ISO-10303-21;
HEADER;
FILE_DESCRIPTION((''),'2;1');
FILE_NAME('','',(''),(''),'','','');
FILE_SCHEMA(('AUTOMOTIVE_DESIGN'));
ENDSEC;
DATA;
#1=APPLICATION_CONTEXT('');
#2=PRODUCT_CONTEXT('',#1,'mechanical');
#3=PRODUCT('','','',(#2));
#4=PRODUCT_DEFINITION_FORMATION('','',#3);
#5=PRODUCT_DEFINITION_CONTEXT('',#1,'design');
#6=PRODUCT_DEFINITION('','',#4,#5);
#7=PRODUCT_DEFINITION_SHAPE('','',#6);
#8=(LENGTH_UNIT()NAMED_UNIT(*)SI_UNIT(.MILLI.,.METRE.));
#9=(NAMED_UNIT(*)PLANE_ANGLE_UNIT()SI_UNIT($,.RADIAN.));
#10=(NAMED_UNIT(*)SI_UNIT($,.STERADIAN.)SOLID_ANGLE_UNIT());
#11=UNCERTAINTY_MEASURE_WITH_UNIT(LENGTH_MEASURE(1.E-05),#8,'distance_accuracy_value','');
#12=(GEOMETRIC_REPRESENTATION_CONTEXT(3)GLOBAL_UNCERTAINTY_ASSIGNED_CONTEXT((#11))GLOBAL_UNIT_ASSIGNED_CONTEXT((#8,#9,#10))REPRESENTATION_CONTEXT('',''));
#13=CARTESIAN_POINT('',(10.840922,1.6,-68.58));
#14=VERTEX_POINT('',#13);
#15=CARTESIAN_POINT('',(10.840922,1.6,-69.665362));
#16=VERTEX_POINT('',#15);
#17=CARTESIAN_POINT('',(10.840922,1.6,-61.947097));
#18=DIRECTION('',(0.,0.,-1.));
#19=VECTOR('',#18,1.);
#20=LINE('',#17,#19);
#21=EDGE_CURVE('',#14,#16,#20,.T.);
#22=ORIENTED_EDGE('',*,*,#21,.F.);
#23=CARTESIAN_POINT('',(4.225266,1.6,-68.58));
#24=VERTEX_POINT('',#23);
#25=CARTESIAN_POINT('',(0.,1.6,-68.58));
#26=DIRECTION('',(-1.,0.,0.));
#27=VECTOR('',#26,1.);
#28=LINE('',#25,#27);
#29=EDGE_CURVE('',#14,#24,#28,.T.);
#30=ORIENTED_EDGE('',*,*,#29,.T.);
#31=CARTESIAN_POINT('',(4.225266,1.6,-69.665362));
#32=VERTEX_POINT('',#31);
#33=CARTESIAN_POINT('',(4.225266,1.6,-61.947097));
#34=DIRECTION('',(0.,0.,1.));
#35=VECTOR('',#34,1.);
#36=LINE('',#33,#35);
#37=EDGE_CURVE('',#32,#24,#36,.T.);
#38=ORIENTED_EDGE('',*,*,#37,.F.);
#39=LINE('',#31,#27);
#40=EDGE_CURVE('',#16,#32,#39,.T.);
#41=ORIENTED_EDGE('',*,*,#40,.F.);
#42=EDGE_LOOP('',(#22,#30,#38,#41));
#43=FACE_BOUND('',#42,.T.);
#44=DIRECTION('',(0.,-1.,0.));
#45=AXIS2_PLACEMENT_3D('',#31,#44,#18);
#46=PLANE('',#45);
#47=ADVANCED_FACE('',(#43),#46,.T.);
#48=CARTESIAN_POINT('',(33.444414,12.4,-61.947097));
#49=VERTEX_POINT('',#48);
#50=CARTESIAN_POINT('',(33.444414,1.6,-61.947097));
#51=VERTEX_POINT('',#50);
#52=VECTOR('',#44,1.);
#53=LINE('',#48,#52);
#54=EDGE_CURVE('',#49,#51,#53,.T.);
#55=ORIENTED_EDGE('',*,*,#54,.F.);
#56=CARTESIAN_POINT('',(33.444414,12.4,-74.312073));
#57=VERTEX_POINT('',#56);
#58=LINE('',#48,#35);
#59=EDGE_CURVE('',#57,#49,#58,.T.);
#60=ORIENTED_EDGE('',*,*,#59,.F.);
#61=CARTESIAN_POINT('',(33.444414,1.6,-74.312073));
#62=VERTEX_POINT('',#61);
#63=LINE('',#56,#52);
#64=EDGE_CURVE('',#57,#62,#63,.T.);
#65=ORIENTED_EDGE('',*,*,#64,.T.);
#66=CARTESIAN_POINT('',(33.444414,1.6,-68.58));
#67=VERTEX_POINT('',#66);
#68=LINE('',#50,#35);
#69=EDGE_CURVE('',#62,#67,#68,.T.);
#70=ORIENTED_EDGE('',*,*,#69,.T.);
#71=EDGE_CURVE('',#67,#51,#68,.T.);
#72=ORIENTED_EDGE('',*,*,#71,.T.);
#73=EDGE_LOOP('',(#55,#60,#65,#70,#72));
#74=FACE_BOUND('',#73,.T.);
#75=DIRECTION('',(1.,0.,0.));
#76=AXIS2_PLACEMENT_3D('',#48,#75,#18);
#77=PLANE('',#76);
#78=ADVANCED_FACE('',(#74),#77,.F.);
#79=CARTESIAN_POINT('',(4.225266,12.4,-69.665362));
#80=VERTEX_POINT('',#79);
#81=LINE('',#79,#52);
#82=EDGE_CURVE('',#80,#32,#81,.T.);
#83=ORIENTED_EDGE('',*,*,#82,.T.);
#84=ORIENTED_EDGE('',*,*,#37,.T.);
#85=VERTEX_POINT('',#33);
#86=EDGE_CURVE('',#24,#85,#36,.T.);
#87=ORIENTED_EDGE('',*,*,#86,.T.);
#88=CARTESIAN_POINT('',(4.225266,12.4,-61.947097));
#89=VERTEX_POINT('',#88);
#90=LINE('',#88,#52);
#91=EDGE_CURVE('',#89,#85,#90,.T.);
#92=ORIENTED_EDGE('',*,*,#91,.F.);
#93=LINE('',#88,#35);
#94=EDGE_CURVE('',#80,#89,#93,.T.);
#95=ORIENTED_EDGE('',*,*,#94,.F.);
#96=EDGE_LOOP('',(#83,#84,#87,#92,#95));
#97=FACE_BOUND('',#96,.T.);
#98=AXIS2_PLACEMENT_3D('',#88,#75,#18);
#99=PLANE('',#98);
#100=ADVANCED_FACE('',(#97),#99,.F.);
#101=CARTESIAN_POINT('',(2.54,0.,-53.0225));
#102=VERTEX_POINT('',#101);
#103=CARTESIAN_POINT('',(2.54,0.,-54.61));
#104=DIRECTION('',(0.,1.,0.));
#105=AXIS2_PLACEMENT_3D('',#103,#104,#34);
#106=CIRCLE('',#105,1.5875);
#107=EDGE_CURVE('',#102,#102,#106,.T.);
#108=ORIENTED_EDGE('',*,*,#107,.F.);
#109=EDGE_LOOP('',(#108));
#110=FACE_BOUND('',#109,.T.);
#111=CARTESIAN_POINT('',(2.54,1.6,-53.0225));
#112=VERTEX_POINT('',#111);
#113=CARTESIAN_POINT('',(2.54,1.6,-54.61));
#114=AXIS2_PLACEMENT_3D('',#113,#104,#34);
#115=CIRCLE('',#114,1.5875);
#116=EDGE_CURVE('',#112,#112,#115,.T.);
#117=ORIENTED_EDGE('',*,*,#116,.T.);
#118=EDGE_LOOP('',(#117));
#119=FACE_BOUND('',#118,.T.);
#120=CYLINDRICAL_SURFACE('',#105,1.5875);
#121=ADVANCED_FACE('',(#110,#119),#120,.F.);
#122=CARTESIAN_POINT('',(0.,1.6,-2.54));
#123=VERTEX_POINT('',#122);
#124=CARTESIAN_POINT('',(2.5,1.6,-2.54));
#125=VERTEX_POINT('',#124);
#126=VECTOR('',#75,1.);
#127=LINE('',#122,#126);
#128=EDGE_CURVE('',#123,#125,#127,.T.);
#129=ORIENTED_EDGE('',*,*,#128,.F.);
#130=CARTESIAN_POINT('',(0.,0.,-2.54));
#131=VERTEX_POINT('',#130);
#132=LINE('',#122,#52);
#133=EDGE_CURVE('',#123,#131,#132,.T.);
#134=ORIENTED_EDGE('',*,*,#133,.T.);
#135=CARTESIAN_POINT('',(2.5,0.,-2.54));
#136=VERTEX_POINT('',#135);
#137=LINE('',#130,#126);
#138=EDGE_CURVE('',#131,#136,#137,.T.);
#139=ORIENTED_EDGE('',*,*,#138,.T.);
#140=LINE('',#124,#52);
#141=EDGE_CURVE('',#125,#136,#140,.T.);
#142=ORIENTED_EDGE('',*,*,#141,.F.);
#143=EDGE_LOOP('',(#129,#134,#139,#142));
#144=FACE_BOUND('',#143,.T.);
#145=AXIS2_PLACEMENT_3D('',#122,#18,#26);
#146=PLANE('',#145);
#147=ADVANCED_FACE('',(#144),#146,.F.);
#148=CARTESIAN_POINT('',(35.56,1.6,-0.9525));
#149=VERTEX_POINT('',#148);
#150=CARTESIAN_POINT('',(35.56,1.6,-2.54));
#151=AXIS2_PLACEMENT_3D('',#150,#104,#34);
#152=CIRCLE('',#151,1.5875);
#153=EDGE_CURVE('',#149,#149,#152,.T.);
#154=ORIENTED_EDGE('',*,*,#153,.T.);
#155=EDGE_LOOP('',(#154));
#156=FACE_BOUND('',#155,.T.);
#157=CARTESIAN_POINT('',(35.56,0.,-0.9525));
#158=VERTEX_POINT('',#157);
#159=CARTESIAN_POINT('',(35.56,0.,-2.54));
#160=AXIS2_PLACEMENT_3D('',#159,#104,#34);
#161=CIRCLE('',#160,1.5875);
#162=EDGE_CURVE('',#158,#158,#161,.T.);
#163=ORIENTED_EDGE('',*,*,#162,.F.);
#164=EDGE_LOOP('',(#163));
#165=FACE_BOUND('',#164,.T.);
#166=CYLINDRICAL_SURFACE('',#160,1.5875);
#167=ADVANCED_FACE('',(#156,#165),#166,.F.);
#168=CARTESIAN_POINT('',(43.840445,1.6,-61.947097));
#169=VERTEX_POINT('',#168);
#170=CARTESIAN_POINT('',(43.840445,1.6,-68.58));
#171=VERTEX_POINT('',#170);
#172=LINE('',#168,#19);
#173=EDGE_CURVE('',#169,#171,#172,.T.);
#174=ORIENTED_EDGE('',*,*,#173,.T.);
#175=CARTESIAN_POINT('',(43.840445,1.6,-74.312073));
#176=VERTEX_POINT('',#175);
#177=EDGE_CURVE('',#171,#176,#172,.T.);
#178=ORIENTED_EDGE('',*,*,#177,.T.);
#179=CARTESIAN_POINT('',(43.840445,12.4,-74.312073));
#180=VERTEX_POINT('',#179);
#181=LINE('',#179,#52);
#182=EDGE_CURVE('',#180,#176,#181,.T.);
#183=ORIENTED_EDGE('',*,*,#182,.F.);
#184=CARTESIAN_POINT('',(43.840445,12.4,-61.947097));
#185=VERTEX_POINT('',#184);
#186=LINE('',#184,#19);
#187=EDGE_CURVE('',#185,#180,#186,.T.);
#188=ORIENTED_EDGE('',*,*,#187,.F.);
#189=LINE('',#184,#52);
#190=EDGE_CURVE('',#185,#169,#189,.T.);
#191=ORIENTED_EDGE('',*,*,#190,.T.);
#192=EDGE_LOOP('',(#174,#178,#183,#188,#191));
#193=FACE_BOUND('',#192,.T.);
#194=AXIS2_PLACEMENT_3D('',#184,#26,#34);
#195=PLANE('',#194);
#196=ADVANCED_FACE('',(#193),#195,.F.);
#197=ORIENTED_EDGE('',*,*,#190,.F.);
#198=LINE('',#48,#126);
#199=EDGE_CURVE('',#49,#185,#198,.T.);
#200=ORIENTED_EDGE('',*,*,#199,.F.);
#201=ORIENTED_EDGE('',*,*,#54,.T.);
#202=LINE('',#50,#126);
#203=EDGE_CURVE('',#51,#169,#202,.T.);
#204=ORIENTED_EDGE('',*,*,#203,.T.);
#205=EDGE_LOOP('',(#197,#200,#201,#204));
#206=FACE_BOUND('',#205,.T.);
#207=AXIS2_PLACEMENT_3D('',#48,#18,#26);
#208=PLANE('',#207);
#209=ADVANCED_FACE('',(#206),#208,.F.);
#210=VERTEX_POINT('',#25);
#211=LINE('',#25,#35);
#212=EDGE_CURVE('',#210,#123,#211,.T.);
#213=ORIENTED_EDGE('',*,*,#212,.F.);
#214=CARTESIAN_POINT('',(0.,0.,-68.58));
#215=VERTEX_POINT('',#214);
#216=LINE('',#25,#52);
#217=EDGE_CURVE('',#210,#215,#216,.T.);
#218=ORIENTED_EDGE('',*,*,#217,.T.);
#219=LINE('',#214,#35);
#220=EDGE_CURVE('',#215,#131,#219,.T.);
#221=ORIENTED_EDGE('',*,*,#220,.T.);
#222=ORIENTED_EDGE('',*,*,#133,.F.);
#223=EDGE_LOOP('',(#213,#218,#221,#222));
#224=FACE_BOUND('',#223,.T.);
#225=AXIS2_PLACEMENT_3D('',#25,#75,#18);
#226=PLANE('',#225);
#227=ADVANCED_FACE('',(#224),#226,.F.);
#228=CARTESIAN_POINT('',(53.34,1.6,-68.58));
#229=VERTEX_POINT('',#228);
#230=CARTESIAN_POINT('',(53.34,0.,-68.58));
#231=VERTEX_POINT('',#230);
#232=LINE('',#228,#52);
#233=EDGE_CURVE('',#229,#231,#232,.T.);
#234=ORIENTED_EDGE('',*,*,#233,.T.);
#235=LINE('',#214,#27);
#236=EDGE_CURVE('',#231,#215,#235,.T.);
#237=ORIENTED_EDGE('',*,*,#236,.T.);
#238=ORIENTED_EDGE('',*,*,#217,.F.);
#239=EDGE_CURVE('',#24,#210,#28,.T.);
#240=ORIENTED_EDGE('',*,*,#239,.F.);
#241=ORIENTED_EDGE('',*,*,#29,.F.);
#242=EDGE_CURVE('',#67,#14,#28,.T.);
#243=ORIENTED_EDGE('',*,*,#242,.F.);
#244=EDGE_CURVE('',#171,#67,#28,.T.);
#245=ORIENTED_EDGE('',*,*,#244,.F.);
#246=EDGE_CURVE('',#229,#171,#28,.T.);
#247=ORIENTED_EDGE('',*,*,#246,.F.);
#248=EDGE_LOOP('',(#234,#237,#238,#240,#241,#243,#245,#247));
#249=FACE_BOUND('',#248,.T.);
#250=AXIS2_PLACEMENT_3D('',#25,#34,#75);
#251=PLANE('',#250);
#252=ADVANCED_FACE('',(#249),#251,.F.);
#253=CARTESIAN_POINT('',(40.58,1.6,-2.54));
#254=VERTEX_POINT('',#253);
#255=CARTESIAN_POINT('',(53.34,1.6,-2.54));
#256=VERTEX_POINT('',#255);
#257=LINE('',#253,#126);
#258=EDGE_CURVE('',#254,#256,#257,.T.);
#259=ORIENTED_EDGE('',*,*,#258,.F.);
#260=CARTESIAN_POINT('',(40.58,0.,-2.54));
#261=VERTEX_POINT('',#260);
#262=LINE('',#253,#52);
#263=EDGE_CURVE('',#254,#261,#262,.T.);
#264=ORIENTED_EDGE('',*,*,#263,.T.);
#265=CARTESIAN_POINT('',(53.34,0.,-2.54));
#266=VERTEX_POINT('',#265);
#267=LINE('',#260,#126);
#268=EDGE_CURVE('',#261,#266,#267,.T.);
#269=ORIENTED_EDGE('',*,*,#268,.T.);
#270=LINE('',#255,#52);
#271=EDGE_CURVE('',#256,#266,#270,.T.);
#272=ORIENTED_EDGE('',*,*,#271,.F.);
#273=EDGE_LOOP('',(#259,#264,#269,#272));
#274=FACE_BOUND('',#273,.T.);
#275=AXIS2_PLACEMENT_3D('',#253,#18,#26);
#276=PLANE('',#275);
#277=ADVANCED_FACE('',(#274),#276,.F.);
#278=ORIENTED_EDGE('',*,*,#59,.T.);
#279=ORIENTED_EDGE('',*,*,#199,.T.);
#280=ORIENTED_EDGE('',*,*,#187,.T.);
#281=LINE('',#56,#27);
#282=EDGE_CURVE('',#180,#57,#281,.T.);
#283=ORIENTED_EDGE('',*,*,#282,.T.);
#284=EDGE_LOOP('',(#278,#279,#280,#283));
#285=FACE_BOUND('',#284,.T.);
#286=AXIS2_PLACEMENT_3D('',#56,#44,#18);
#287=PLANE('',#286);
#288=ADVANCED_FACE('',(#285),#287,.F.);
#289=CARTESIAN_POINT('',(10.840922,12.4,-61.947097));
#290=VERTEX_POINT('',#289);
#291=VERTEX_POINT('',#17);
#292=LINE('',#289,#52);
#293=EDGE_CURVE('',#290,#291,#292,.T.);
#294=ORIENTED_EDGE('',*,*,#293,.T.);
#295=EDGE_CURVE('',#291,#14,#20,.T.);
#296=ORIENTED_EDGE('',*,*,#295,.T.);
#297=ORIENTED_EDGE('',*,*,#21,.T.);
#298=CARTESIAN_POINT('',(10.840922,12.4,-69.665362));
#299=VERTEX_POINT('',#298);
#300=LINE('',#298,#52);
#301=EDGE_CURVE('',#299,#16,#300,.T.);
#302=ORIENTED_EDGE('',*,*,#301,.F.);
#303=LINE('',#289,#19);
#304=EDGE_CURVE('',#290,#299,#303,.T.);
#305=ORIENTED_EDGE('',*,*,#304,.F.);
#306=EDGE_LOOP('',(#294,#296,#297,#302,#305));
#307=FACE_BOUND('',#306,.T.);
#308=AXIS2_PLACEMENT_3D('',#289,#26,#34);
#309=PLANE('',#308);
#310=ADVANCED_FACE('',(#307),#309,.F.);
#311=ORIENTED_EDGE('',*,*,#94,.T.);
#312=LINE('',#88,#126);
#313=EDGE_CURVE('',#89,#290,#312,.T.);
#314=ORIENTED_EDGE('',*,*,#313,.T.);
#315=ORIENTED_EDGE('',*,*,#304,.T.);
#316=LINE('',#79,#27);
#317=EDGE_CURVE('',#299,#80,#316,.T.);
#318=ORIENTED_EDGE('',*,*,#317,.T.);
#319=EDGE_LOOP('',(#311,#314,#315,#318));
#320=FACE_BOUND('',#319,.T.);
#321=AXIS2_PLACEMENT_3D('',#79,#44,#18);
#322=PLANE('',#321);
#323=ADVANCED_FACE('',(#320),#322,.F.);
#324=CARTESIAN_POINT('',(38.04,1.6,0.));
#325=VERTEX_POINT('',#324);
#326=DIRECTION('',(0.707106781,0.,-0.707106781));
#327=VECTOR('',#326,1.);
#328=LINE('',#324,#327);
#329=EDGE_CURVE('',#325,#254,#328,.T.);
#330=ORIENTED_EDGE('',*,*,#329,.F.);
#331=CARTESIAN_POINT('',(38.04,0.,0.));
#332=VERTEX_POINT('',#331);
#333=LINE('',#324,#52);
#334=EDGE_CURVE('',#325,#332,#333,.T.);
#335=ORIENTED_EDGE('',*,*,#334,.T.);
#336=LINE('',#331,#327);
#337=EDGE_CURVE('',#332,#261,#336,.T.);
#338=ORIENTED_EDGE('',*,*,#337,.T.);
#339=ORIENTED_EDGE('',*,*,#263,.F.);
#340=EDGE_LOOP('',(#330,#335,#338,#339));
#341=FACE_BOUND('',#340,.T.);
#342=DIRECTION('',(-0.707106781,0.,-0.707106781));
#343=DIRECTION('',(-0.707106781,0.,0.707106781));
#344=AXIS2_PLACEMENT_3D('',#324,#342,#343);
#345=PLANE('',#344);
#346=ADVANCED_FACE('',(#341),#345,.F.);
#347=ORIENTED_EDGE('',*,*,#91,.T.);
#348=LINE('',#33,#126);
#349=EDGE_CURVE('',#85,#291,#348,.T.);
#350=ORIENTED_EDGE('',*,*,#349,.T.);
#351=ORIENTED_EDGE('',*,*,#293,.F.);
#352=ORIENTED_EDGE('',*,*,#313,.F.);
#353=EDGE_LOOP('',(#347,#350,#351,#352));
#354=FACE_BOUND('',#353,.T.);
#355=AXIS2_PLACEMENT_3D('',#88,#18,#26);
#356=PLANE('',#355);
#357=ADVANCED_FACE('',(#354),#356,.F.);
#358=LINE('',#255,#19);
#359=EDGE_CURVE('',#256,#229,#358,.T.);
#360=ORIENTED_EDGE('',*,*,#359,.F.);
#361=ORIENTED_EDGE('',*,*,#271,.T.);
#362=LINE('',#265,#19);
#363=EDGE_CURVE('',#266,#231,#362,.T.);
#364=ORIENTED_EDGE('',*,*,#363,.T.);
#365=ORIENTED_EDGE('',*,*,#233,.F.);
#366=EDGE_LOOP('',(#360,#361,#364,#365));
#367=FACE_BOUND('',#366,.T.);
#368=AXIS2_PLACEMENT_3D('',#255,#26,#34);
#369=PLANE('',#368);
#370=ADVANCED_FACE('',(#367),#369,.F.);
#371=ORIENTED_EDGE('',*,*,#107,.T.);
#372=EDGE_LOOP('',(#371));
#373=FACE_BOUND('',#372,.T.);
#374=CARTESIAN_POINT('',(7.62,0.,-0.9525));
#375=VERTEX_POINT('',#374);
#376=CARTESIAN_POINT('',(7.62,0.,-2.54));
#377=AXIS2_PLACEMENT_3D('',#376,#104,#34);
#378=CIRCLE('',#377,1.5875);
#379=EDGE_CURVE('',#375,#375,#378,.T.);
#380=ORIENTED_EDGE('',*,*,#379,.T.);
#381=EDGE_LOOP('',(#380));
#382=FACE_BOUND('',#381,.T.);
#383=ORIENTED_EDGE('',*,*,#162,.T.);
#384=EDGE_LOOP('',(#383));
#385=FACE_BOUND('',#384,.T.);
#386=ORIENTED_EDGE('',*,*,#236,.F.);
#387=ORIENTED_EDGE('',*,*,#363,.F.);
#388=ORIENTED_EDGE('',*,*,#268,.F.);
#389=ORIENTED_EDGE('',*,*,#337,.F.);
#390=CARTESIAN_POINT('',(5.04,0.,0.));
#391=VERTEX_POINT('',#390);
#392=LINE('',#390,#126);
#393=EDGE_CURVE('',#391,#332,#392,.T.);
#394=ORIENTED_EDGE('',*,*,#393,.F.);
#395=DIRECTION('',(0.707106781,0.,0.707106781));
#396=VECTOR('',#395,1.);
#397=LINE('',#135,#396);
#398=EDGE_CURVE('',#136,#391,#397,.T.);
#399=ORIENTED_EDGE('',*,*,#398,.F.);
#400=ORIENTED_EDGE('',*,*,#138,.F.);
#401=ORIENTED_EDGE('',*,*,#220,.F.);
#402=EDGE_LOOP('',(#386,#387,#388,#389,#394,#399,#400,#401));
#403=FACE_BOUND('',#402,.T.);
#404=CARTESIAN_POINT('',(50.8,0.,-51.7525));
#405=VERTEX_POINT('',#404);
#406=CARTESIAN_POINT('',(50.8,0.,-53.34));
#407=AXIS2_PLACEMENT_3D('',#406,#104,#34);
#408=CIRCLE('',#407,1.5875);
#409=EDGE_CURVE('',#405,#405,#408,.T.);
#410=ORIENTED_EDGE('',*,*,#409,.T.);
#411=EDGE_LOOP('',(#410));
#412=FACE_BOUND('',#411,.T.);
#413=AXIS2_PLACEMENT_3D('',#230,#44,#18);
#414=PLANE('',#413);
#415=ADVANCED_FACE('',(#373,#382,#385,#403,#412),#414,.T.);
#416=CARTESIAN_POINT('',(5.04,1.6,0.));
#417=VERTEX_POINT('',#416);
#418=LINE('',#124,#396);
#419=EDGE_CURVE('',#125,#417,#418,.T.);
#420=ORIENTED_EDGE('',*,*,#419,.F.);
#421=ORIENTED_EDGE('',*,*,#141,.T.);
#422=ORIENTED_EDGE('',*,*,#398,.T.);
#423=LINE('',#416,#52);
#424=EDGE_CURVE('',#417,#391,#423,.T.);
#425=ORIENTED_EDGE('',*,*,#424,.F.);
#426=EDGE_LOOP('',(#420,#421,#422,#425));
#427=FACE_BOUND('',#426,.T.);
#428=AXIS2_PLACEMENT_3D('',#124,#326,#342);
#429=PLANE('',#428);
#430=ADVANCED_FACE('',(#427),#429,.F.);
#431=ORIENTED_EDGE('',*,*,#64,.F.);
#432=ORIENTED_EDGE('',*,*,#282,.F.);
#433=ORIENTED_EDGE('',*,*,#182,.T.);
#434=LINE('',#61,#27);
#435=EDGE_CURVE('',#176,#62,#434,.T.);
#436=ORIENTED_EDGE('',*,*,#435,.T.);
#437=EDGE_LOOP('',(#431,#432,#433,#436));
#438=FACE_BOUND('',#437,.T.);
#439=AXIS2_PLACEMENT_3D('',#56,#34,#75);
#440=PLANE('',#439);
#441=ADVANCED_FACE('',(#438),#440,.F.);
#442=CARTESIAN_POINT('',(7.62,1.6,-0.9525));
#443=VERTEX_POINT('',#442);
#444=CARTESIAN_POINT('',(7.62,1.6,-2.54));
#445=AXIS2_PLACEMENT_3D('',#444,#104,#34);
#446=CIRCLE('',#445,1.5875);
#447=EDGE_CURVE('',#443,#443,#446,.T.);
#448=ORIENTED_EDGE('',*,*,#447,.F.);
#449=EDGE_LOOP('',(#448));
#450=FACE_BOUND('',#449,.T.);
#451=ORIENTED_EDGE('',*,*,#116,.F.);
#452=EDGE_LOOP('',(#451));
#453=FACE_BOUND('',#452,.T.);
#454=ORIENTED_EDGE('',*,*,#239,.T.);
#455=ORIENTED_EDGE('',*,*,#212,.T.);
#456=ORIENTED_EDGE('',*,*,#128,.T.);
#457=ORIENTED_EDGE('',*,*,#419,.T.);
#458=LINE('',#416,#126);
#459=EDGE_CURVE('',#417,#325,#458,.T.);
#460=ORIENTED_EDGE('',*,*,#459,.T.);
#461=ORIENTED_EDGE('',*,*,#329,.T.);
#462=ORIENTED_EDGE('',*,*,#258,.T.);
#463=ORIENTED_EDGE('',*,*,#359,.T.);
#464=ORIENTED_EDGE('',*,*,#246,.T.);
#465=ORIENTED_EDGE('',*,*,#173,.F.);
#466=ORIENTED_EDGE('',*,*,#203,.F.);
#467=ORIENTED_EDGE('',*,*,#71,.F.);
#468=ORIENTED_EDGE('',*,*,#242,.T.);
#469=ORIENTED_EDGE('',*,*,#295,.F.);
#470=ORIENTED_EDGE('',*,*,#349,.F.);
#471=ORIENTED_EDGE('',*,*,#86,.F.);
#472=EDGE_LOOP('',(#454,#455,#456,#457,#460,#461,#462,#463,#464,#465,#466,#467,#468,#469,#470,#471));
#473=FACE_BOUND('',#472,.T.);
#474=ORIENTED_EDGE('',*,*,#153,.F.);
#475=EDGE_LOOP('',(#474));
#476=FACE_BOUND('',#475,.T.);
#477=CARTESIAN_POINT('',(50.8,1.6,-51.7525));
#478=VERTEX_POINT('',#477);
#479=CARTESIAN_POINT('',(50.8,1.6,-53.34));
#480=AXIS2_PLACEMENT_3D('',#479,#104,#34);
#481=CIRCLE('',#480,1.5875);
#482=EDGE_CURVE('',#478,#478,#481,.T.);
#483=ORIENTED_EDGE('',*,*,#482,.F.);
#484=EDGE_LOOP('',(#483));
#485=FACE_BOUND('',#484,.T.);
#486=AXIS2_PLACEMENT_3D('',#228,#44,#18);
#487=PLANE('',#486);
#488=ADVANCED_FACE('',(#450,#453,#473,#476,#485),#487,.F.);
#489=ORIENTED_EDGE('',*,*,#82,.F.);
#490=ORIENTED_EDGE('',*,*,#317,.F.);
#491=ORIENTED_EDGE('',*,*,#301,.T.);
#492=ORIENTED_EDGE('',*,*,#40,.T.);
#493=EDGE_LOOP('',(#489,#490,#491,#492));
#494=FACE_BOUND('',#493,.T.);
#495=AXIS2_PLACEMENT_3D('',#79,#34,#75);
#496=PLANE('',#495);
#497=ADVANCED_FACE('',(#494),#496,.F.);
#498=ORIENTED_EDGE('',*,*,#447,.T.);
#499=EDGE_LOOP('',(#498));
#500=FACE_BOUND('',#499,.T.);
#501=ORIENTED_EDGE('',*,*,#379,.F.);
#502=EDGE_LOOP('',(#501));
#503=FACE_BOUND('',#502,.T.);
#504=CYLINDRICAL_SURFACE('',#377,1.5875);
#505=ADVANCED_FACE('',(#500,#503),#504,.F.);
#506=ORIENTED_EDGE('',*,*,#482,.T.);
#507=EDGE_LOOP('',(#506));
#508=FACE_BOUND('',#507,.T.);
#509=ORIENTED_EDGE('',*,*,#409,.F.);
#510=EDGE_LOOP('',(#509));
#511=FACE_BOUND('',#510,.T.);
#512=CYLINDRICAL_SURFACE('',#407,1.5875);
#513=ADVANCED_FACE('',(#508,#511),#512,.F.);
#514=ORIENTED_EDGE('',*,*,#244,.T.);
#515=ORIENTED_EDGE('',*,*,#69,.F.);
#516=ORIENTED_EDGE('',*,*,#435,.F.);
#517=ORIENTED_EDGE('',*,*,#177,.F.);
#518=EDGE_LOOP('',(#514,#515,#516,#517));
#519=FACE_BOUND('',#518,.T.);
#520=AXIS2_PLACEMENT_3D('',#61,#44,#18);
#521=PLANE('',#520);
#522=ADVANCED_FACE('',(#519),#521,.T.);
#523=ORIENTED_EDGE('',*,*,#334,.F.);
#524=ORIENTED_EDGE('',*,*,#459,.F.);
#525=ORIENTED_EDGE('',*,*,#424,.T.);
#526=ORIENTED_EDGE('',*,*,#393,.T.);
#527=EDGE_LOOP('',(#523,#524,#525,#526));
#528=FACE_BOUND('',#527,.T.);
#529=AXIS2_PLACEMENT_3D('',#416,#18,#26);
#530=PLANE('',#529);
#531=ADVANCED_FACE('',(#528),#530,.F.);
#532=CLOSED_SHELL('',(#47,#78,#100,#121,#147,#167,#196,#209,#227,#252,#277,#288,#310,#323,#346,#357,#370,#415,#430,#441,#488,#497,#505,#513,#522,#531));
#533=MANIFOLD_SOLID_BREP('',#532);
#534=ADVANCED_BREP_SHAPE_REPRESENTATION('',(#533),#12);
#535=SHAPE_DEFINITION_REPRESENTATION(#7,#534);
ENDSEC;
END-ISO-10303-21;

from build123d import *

# Parameters (mm, degrees)
BOSS_EXTRUDE1_DEPTH = 1.6
SKETCH2_W           = 6.615656004
SKETCH2_H           = 7.718265338
SKETCH2_W_2         = 10.396030864
SKETCH2_H_2         = 12.364976103
BOSS_EXTRUDE2_DEPTH = 10.8
SKETCH3_R           = 1.5875
CUT_EXTRUDE1_DEPTH  = 2.6


with BuildPart() as part:
    # Sketch1 → Boss-Extrude1 (new body)
    with BuildSketch(Plane(origin=(0, 0, 0), x_dir=(1, 0, 0), z_dir=(0, 1, 0))):
        Polygon((0, 68.58), (0, 2.54), (2.5, 2.54), (5.04, 0), (38.04, 0), (40.58, 2.54), (53.34, 2.54), (53.34, 68.58), align=None)
    extrude(amount=BOSS_EXTRUDE1_DEPTH)

    # Sketch2 → Boss-Extrude2 (add)
    with BuildSketch(Plane(origin=(0, 1.6, 0), x_dir=(1, 0, 0), z_dir=(0, 1, 0))):
        with Locations((7.533094465, 65.806229304)):
            Rectangle(SKETCH2_W, SKETCH2_H)
        with Locations((38.642429245, 68.129584686)):
            Rectangle(SKETCH2_W_2, SKETCH2_H_2)
    extrude(amount=BOSS_EXTRUDE2_DEPTH)

    # Sketch3 → Cut-Extrude1 (cut, through all)
    with BuildSketch(Plane(origin=(0, 1.6, 0), x_dir=(1, 0, 0), z_dir=(0, 1, 0))):
        with Locations((7.62, 2.54)):
            Circle(SKETCH3_R)
        with Locations((35.56, 2.54)):
            Circle(SKETCH3_R)
        with Locations((50.8, 53.34)):
            Circle(SKETCH3_R)
        with Locations((2.54, 54.61)):
            Circle(SKETCH3_R)
    extrude(amount=-CUT_EXTRUDE1_DEPTH, mode=Mode.SUBTRACT)


solid = part.part
